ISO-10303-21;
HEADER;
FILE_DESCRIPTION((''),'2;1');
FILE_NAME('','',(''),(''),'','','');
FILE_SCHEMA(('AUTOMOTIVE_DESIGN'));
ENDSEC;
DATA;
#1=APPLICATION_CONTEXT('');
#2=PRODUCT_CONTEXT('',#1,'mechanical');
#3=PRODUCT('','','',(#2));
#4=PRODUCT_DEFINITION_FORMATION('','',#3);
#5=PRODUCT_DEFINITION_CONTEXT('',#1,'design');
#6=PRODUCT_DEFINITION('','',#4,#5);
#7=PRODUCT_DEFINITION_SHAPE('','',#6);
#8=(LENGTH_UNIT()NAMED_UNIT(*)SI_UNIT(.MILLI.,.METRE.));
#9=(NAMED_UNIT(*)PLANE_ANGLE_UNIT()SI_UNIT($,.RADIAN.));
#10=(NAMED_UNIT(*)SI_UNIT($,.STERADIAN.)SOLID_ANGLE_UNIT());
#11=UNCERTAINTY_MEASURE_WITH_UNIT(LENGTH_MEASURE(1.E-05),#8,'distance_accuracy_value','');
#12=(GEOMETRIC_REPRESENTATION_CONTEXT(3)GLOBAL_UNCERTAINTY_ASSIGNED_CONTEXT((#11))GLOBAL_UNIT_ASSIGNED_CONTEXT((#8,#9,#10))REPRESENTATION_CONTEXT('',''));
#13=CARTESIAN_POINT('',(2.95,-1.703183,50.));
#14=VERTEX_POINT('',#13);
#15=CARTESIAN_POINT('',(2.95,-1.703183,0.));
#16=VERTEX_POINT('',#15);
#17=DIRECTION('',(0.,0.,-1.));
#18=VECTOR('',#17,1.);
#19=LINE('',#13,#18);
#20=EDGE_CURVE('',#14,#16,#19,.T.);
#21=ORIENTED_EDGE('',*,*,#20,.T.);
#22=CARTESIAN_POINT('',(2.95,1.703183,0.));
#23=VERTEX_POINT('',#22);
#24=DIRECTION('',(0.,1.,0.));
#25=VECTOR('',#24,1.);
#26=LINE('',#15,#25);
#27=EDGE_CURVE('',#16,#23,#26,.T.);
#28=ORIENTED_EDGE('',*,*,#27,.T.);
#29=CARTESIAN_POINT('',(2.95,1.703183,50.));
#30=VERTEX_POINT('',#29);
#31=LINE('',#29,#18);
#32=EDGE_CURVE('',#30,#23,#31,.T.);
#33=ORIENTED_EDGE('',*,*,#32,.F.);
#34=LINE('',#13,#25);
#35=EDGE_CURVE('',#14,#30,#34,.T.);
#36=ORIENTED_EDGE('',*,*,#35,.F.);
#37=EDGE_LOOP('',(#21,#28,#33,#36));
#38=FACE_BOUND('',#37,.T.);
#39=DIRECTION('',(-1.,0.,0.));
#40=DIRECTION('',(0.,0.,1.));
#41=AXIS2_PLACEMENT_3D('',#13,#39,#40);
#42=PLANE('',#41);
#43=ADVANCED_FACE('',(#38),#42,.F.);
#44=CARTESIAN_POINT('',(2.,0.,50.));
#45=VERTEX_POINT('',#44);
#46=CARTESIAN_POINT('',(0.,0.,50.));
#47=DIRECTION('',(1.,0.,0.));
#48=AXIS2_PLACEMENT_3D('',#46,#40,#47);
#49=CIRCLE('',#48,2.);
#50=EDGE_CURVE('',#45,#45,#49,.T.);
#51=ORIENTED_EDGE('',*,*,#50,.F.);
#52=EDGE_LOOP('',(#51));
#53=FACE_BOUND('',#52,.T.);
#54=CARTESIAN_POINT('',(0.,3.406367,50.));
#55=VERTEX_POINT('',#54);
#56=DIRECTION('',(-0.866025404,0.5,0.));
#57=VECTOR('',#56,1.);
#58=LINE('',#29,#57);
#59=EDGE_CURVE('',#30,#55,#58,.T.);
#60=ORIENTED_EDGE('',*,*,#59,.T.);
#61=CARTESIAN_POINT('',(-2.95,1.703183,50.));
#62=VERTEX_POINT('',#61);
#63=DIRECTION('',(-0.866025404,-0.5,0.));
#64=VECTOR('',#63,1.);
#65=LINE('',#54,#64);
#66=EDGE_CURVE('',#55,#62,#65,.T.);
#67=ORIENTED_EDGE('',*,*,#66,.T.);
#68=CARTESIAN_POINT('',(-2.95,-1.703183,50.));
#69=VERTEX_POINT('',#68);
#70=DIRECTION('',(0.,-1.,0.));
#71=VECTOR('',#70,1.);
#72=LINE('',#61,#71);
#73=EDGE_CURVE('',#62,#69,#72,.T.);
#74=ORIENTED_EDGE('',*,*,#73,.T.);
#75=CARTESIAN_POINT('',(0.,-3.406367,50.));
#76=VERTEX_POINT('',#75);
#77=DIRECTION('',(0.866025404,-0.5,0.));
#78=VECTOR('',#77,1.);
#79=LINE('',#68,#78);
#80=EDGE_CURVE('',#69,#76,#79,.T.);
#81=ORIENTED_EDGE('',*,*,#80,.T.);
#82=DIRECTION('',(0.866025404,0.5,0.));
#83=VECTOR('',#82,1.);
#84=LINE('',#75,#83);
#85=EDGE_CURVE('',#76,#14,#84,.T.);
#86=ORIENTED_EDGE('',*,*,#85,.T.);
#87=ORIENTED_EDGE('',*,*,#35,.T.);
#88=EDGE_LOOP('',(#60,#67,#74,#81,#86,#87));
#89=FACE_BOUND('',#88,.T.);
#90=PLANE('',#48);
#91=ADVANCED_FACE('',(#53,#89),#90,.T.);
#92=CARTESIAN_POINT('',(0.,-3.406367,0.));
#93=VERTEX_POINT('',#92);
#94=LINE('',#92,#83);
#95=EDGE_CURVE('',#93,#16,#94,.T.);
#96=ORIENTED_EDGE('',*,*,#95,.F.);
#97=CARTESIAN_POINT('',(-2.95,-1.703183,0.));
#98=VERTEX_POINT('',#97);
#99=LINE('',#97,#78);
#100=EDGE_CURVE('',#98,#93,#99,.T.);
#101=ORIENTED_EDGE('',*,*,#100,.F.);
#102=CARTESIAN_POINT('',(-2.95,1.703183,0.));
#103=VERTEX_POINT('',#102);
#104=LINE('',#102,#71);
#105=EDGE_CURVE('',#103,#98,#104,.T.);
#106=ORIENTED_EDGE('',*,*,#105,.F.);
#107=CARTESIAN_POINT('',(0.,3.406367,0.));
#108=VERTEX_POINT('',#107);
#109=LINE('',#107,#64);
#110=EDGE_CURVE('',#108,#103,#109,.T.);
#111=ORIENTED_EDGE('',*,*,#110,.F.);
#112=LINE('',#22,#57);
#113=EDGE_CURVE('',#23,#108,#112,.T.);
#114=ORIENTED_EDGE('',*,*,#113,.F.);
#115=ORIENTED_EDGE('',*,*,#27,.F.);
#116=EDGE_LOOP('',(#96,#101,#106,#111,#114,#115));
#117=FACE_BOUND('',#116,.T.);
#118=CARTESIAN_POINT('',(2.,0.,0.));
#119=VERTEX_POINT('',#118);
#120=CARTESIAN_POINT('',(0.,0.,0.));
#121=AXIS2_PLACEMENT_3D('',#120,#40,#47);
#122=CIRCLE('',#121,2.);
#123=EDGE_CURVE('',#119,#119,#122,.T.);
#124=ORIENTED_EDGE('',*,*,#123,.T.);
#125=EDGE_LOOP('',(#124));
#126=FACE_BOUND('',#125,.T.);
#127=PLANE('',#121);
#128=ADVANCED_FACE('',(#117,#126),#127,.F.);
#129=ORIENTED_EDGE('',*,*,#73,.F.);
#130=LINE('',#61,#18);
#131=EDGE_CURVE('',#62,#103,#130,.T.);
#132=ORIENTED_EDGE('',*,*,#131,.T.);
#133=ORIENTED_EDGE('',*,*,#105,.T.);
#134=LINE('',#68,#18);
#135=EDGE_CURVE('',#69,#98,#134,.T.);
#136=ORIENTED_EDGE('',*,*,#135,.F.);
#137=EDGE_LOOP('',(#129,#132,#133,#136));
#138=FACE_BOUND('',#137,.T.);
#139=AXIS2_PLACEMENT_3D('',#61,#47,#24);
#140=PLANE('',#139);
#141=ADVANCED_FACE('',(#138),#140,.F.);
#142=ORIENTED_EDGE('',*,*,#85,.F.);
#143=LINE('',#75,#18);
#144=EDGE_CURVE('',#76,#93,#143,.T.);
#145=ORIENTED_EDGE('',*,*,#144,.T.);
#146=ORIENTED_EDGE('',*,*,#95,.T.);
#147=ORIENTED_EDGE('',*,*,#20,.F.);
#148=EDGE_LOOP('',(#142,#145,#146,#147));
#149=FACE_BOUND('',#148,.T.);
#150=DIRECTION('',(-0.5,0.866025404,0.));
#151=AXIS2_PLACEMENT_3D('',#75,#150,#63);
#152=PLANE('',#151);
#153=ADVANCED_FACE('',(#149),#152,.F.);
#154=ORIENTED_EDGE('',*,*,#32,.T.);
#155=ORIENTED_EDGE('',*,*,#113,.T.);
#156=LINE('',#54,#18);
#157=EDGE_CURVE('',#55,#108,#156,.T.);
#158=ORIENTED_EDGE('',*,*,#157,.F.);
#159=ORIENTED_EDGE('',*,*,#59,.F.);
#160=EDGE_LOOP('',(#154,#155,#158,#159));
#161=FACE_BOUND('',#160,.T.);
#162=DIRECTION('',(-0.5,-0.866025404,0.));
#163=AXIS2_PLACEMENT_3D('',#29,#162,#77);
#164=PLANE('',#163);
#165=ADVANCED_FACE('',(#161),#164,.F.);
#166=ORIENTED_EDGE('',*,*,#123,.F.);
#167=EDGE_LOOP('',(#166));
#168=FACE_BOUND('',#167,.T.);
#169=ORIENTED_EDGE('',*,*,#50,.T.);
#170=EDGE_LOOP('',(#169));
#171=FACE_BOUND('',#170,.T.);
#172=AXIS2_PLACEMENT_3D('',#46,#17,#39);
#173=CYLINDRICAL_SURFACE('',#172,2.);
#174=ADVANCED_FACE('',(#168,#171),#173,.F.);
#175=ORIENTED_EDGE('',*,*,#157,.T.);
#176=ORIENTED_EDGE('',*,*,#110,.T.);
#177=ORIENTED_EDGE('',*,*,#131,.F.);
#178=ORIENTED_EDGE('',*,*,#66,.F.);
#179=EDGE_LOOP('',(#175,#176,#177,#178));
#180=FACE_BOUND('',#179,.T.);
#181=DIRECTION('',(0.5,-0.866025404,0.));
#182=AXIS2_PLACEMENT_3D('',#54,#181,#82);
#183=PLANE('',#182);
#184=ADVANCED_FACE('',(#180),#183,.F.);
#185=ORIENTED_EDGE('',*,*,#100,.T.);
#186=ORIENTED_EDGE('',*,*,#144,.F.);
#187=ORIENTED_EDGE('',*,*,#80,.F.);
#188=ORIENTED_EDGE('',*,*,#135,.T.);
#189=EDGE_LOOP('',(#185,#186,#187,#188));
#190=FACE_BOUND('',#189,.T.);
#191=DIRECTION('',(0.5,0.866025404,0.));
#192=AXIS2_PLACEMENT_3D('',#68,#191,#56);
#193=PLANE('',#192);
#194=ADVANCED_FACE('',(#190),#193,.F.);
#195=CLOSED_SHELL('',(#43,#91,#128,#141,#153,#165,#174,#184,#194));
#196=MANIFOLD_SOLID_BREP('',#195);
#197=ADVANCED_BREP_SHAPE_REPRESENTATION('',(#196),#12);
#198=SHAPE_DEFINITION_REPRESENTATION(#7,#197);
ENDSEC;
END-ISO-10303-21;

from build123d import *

# Parameters (mm, degrees)
SKETCH_1_R      = 2
EXTRUDE_1_DEPTH = 50


with BuildPart() as part:
    # 草图1 → 凸台-拉伸1 (new body)
    with BuildSketch(Plane.XY):
        Polygon((2.95, -1.703183294), (2.95, 1.703183294), (0, 3.406366588), (-2.95, 1.703183294), (-2.95, -1.703183294), (0, -3.406366588), align=None)
        Circle(SKETCH_1_R, mode=Mode.SUBTRACT)
    extrude(amount=EXTRUDE_1_DEPTH)


solid = part.part
